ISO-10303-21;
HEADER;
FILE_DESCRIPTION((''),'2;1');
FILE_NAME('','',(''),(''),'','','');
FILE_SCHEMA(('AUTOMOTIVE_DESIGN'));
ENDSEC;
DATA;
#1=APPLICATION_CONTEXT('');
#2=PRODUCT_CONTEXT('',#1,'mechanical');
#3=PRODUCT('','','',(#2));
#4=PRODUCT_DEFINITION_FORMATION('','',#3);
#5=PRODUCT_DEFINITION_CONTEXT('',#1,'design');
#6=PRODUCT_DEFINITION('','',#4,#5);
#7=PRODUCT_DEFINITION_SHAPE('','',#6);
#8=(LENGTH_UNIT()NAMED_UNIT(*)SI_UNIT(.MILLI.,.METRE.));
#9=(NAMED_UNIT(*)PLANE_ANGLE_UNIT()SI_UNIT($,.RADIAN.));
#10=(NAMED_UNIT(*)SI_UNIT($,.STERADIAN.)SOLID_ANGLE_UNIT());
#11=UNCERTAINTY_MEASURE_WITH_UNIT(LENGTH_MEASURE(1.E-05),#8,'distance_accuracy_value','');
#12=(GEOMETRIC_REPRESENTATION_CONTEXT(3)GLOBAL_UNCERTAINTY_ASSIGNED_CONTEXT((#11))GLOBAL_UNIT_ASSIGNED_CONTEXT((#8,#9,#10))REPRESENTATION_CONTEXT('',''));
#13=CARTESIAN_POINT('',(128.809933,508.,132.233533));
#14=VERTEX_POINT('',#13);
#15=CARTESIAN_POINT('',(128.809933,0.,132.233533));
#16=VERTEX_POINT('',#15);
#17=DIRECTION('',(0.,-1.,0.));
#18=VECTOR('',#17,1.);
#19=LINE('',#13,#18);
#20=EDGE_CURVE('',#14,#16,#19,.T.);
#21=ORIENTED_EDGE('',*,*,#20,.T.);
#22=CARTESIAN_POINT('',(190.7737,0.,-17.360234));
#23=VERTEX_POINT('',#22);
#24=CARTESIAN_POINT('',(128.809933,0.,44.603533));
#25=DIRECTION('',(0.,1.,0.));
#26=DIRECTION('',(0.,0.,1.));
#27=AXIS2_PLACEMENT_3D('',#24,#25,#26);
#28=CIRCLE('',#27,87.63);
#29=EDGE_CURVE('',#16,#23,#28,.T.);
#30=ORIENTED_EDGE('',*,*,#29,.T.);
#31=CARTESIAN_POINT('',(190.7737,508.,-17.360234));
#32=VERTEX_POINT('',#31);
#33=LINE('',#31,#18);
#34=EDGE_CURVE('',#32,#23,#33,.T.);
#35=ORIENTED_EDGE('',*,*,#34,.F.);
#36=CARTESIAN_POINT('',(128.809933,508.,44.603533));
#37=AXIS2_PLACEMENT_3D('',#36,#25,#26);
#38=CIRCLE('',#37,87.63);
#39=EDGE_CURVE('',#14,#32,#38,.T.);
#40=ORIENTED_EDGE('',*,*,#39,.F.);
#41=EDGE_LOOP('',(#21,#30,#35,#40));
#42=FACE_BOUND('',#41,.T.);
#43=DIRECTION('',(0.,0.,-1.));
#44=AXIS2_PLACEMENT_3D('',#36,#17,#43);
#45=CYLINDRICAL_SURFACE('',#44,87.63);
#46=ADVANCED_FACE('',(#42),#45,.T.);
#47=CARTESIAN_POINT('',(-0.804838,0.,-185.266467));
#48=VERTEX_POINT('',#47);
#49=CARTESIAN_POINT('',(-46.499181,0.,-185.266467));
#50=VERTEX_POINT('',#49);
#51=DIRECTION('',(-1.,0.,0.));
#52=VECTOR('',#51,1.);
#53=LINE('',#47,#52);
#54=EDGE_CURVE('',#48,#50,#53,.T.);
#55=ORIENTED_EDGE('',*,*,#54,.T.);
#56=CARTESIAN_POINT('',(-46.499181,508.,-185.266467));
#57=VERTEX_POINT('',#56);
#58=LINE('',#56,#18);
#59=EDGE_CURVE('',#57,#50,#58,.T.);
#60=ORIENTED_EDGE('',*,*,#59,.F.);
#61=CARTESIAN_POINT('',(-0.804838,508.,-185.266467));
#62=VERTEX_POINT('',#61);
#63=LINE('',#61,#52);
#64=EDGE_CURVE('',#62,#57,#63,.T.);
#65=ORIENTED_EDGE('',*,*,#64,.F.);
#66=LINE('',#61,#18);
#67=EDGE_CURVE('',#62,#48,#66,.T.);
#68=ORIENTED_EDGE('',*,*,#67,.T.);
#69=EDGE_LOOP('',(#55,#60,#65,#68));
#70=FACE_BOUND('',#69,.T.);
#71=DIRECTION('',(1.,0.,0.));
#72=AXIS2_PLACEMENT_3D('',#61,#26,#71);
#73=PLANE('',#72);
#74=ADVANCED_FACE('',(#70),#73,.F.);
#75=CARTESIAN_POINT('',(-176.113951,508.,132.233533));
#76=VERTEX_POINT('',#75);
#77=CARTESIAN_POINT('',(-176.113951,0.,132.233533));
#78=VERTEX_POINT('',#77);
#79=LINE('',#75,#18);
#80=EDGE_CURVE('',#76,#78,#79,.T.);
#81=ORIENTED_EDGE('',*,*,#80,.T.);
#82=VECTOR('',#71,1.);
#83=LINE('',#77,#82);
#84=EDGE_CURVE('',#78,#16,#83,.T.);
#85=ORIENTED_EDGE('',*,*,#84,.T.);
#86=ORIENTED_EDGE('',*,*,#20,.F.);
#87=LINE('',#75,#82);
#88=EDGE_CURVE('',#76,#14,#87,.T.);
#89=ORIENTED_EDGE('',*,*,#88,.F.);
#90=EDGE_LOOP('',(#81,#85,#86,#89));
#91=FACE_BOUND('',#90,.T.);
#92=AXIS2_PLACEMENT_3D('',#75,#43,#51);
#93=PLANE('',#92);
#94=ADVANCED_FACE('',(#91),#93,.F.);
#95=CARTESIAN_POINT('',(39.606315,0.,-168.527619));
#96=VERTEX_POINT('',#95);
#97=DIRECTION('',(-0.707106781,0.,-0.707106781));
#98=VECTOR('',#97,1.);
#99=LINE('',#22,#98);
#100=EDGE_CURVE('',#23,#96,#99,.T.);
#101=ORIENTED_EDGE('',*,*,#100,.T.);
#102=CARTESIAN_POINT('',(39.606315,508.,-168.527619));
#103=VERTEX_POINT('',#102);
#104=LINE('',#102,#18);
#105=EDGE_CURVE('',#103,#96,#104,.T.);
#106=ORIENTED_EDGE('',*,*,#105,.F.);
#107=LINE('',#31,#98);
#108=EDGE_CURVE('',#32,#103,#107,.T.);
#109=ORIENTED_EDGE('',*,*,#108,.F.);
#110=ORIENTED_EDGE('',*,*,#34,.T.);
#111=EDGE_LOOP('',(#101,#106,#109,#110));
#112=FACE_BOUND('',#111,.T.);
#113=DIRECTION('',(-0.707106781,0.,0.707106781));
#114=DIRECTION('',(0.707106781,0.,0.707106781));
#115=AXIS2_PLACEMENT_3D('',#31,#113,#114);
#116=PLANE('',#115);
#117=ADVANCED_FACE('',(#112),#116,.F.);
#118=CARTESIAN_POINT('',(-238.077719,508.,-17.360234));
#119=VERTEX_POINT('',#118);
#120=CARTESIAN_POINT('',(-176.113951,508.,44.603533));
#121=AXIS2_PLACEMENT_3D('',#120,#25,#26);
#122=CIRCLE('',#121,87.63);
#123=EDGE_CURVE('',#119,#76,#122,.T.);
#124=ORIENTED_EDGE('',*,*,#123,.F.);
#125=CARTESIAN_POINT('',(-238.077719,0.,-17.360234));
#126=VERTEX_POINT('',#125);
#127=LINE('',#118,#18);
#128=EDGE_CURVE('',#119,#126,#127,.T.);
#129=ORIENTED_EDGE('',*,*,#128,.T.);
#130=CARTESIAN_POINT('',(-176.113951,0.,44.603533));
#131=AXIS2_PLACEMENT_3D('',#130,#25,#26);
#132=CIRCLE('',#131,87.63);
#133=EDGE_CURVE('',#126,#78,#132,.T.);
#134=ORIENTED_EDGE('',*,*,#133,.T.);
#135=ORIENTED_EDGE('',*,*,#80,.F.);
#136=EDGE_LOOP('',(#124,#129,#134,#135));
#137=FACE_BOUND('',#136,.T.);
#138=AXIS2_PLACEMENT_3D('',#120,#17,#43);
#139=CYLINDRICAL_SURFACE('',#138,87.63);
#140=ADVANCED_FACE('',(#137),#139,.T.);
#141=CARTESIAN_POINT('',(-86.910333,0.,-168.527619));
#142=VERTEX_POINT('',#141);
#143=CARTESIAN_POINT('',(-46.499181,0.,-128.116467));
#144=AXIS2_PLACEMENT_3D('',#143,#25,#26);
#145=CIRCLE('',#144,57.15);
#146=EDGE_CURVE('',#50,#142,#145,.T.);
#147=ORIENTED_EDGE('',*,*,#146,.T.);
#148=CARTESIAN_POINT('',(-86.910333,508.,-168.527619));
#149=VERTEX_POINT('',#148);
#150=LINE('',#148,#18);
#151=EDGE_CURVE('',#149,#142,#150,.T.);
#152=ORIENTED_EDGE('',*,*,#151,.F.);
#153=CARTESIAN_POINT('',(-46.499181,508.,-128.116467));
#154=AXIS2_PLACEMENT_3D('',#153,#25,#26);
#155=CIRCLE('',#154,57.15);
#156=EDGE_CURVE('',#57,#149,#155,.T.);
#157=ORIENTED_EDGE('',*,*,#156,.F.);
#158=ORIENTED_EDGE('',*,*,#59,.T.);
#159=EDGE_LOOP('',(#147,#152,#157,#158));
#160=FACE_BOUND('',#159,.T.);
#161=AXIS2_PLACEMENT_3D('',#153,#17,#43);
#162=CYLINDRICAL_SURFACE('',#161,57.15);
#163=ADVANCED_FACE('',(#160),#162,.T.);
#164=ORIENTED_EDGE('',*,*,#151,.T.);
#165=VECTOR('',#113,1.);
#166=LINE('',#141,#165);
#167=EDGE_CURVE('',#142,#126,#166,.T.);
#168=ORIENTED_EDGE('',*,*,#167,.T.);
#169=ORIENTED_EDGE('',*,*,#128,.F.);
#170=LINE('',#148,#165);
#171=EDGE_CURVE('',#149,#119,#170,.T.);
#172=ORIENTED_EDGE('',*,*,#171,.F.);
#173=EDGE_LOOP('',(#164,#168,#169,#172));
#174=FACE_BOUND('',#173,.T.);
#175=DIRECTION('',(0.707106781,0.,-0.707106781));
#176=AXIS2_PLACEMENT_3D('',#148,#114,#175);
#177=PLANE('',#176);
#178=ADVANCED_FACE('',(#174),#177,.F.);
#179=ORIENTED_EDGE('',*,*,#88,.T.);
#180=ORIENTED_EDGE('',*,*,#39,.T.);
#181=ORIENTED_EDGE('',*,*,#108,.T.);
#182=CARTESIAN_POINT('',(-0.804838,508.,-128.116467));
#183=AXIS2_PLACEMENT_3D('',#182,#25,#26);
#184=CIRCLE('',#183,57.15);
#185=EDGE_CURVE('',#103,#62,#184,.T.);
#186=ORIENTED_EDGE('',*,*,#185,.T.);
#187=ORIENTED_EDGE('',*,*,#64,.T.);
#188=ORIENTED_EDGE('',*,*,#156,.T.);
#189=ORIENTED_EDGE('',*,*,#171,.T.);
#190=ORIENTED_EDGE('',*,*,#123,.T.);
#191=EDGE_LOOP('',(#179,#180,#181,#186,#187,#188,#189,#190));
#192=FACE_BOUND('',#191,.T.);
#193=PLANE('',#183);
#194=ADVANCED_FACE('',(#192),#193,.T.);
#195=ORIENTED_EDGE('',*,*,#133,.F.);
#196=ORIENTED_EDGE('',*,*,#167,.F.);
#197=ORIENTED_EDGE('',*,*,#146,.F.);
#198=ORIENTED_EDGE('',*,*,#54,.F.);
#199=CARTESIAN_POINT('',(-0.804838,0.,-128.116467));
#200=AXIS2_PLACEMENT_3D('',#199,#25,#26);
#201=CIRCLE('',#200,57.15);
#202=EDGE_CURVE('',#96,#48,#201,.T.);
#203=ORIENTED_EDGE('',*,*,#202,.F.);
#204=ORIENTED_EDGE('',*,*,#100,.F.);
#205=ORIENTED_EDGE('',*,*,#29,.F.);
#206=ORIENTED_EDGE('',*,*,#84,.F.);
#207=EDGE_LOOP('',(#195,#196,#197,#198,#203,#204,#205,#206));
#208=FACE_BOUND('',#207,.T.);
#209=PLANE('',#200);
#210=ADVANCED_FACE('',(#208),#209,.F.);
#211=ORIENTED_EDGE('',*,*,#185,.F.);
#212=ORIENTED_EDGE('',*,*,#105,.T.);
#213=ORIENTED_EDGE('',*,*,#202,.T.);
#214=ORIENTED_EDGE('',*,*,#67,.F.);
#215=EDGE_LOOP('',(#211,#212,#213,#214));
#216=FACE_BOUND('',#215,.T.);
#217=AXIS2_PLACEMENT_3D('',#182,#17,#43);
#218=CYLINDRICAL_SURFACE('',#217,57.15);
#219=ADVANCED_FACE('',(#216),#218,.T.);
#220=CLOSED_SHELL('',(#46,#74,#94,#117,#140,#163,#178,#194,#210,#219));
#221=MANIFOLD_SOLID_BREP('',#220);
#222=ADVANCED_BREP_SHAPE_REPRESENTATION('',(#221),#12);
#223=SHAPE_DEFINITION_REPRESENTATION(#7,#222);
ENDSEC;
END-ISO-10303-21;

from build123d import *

# Parameters (mm, degrees)
BOSS_EXTRUDE1_DEPTH = 508


with BuildPart() as part:
    # Sketch1 → Boss-Extrude1 (new body)
    with BuildSketch(Plane(origin=(0, 0, 0), x_dir=(1, 0, 0), z_dir=(0, 1, 0))):
        with BuildLine():
            Line((-0.804837872, 185.266466712), (-46.499180652, 185.266466712))
            ThreePointArc((-46.499180652, 185.266466712), (-68.369538811, 180.916181995), (-86.910333197, 168.527619257))
            Line((-86.910333197, 168.527619257), (-238.077718506, 17.360233947))
            ThreePointArc((-238.077718506, 17.360233947), (-257.073514705, -78.138082466), (-176.113951271, -132.233533288))
            Line((-176.113951271, -132.233533288), (128.809932747, -132.233533288))
            ThreePointArc((128.809932747, -132.233533288), (209.769496181, -78.138082466), (190.773699982, 17.360233947))
            Line((190.773699982, 17.360233947), (39.606314673, 168.527619257))
            ThreePointArc((39.606314673, 168.527619257), (21.065520288, 180.916181995), (-0.804837872, 185.266466712))
        make_face()
    extrude(amount=BOSS_EXTRUDE1_DEPTH)


solid = part.part
